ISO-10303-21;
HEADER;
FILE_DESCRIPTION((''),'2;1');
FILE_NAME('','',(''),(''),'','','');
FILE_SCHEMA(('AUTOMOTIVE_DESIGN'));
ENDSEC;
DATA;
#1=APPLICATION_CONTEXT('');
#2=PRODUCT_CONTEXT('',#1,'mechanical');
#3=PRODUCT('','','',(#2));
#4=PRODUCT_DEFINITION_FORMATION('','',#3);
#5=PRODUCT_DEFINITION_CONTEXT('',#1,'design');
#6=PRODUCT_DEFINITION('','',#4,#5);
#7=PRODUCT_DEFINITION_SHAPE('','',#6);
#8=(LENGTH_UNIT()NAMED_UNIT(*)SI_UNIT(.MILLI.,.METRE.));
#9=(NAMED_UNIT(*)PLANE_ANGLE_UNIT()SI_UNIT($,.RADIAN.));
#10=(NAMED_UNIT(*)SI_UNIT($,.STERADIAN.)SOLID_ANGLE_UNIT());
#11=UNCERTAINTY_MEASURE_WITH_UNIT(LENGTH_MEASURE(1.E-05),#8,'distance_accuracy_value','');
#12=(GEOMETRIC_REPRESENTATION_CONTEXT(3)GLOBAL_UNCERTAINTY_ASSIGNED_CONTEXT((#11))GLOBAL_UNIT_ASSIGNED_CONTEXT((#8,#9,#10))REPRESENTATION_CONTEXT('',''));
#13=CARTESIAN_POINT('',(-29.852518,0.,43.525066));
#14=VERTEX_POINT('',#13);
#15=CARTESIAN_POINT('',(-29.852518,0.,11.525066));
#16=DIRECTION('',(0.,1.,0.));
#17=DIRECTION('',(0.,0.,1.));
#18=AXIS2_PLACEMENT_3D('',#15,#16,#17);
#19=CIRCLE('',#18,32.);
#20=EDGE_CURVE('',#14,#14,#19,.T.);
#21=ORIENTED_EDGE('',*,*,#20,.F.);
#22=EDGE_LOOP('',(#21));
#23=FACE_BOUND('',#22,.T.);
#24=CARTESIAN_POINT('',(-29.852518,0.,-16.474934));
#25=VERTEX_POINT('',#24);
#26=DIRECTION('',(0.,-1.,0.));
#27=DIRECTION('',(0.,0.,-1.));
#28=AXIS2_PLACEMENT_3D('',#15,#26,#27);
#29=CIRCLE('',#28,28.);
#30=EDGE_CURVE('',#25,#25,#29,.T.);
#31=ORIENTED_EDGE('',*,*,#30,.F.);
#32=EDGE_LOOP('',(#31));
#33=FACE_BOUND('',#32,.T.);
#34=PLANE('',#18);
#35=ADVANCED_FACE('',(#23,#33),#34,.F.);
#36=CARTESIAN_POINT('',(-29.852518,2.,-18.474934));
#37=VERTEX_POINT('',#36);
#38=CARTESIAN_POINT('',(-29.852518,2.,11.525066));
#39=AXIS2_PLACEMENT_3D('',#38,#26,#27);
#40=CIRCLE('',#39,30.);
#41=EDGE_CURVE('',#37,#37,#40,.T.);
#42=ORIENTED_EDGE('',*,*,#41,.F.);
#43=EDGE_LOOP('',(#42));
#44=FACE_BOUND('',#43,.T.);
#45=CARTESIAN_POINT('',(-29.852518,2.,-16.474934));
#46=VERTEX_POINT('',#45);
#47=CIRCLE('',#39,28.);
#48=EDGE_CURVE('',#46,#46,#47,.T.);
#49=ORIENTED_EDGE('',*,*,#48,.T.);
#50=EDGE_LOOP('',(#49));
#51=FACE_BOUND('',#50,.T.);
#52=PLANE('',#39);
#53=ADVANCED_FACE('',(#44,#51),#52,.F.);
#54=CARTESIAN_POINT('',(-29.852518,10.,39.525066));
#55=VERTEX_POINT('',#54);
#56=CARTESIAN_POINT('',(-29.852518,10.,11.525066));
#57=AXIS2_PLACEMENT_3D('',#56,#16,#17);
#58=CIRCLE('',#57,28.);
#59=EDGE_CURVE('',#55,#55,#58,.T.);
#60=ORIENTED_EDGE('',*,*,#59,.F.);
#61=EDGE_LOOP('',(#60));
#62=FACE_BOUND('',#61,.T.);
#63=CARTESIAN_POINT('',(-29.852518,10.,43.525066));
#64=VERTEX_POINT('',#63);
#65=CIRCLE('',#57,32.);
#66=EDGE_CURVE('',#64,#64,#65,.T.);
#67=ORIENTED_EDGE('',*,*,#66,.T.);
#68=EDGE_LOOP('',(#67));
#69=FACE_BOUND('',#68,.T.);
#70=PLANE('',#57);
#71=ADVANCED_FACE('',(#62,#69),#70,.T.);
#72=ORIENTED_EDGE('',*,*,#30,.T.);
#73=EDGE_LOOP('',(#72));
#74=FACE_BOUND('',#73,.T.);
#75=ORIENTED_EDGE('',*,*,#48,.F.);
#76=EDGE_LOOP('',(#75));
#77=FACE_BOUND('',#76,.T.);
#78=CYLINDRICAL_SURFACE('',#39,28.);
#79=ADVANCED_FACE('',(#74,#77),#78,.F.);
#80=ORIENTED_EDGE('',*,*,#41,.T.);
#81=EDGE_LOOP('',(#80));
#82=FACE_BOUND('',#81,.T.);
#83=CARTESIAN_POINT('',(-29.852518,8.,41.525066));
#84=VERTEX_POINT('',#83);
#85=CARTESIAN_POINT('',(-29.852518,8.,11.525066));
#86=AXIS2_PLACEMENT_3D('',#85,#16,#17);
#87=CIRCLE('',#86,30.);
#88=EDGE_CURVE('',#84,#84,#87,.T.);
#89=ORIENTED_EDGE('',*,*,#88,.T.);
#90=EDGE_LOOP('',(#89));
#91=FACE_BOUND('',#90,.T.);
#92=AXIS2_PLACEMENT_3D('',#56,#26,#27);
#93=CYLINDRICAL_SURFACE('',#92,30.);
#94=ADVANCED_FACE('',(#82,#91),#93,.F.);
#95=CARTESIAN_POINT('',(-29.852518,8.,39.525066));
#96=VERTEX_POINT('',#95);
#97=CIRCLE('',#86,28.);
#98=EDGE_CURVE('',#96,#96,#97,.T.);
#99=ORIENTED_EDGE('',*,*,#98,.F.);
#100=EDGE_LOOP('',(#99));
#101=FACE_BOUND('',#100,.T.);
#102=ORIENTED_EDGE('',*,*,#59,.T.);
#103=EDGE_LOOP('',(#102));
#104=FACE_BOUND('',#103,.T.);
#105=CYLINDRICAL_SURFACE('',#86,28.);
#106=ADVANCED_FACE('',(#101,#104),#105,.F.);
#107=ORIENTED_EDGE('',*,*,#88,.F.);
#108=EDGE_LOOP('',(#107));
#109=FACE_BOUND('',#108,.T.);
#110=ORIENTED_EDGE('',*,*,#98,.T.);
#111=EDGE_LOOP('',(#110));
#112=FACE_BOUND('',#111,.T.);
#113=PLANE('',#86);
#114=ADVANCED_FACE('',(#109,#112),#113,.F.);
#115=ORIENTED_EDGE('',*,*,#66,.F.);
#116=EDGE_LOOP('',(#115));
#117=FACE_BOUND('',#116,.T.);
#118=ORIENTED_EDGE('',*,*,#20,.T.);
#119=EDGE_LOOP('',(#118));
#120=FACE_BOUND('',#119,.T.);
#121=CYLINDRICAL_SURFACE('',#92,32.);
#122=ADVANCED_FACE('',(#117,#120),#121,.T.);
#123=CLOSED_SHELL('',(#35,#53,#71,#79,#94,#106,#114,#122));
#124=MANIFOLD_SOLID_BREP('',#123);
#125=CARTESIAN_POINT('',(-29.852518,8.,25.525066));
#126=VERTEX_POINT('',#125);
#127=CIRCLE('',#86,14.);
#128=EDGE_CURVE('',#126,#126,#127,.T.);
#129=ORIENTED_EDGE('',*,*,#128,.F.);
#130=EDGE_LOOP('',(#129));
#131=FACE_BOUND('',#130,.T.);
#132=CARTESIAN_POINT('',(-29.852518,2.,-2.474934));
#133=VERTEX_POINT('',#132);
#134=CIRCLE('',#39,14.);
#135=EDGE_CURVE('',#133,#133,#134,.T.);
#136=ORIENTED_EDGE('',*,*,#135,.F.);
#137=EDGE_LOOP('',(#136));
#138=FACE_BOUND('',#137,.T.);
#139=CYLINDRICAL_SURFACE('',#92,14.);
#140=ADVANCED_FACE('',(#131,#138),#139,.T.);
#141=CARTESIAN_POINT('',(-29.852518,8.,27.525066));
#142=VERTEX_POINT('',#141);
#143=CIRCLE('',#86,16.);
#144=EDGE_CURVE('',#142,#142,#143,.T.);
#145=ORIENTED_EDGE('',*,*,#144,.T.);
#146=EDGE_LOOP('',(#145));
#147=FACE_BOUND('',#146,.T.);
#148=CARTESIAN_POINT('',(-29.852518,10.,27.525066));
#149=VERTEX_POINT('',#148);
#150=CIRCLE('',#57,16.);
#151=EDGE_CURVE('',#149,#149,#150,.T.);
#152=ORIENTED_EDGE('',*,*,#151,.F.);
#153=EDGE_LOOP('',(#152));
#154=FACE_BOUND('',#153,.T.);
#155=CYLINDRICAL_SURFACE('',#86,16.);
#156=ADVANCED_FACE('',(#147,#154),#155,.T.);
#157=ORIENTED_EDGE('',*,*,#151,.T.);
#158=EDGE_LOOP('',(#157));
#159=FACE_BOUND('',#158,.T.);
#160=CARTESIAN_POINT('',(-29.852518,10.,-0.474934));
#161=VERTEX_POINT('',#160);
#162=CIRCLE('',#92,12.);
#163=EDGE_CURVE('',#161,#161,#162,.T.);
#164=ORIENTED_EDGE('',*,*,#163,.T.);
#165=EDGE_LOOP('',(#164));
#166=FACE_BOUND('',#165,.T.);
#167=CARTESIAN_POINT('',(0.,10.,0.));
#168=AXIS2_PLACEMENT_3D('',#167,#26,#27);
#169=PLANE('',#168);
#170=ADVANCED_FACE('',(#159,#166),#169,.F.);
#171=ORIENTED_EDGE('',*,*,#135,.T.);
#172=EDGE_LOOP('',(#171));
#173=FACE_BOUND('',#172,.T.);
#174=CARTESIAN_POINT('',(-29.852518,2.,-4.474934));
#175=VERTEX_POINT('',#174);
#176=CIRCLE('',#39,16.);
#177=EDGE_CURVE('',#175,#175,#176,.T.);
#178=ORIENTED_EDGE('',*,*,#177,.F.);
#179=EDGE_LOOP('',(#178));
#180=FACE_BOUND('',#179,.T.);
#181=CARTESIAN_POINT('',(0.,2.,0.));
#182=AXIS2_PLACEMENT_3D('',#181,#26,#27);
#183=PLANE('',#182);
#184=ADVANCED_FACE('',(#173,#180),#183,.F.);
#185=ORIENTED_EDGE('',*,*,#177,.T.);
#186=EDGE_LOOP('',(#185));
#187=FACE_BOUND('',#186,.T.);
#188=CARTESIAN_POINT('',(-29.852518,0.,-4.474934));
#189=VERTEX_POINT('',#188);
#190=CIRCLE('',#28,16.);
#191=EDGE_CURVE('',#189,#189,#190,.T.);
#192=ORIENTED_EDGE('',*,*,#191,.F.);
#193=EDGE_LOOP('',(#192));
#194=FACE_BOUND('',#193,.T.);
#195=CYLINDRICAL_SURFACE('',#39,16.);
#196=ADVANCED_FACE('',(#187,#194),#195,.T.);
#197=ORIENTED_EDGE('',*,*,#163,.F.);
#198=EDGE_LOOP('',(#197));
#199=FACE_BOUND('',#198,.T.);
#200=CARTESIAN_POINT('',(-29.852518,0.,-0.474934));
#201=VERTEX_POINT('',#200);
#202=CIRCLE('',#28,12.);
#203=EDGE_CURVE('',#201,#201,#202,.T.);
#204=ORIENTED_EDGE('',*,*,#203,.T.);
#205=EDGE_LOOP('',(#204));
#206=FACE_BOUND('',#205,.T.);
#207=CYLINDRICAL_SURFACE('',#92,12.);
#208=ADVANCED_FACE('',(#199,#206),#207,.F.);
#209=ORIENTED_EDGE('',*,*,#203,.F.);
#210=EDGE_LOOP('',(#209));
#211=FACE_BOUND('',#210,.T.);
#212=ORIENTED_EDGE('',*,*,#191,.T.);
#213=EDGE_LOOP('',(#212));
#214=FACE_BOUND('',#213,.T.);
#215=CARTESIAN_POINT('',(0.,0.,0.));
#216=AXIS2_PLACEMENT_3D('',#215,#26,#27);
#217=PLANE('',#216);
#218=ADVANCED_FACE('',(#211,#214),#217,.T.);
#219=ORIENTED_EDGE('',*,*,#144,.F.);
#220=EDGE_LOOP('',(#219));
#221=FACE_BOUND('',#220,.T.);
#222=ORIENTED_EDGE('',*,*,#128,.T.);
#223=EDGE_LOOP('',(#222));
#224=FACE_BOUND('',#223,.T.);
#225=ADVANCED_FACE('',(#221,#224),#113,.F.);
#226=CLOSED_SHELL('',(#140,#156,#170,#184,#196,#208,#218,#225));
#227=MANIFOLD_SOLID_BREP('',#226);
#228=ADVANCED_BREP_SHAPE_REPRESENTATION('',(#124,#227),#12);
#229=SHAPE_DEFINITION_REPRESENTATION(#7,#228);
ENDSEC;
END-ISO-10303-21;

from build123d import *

# Parameters (mm, degrees)
SKETCH21_R          = 32
SKETCH21_R_2        = 30
BOSS_EXTRUDE1_DEPTH = 10
SKETCH22_R          = 14
SKETCH22_R_2        = 12
BOSS_EXTRUDE2_DEPTH = 10
SKETCH23_R          = 30
SKETCH23_R_2        = 28
BOSS_EXTRUDE3_DEPTH = 2
SKETCH24_R          = 16
SKETCH24_R_2        = 14
BOSS_EXTRUDE4_DEPTH = 2
BOSS_EXTRUDE5_START = -2
SKETCH25_R          = 30
SKETCH25_R_2        = 28
BOSS_EXTRUDE5_DEPTH = 2
SKETCH26_R          = 16
SKETCH26_R_2        = 14
BOSS_EXTRUDE6_DEPTH = 2


with BuildPart() as part:
    # Sketch21 → Boss-Extrude1 (new body)
    with BuildSketch(Plane(origin=(0, 0, 0), x_dir=(1, 0, 0), z_dir=(0, 1, 0))):
        with Locations(Location((-29.852518283, -11.525066254, 0), (0, 0, 270))):
            Circle(SKETCH21_R)
        with Locations(Location((-29.852518283, -11.525066254, 0), (0, 0, 270))):
            Circle(SKETCH21_R_2, mode=Mode.SUBTRACT)
    extrude(amount=BOSS_EXTRUDE1_DEPTH)

    # Sketch23 → Boss-Extrude3 (add)
    with BuildSketch(Plane.XZ):
        with Locations(Location((-29.852518283, 11.525066254, 0), (0, 0, 270))):
            Circle(SKETCH23_R)
        with Locations(Location((-29.852518283, 11.525066254, 0), (0, 0, 270))):
            Circle(SKETCH23_R_2, mode=Mode.SUBTRACT)
    extrude(amount=-BOSS_EXTRUDE3_DEPTH)

    # Sketch25 → Boss-Extrude5 (add)
    with BuildSketch(Plane(origin=(0, 10, 0), x_dir=(1, 0, 0), z_dir=(0, 1, 0)).offset(BOSS_EXTRUDE5_START)):
        with Locations(Location((-29.852518283, -11.525066254, 0), (0, 0, 90))):
            Circle(SKETCH25_R)
        with Locations(Location((-29.852518283, -11.525066254, 0), (0, 0, 90))):
            Circle(SKETCH25_R_2, mode=Mode.SUBTRACT)
    extrude(amount=BOSS_EXTRUDE5_DEPTH)


with BuildPart() as body_2:
    # Sketch22 → Boss-Extrude2 (new body)
    with BuildSketch(Plane.XZ):
        with Locations(Location((-29.852518283, 11.525066254, 0), (0, 0, 270))):
            Circle(SKETCH22_R)
        with Locations(Location((-29.852518283, 11.525066254, 0), (0, 0, 270))):
            Circle(SKETCH22_R_2, mode=Mode.SUBTRACT)
    extrude(amount=-BOSS_EXTRUDE2_DEPTH)

    # Sketch24 → Boss-Extrude4 (add)
    with BuildSketch(Plane.XZ):
        with Locations(Location((-29.852518283, 11.525066254, 0), (0, 0, 270))):
            Circle(SKETCH24_R)
        with Locations(Location((-29.852518283, 11.525066254, 0), (0, 0, 270))):
            Circle(SKETCH24_R_2, mode=Mode.SUBTRACT)
    extrude(amount=-BOSS_EXTRUDE4_DEPTH)

    # Sketch26 → Boss-Extrude6 (add)
    with BuildSketch(Plane(origin=(0, 10, 0), x_dir=(1, 0, 0), z_dir=(0, 1, 0))):
        with Locations(Location((-29.852518283, -11.525066254, 0), (0, 0, 90))):
            Circle(SKETCH26_R)
        with Locations(Location((-29.852518283, -11.525066254, 0), (0, 0, 90))):
            Circle(SKETCH26_R_2, mode=Mode.SUBTRACT)
    extrude(amount=-BOSS_EXTRUDE6_DEPTH)


solid = Compound([part.part, body_2.part])
